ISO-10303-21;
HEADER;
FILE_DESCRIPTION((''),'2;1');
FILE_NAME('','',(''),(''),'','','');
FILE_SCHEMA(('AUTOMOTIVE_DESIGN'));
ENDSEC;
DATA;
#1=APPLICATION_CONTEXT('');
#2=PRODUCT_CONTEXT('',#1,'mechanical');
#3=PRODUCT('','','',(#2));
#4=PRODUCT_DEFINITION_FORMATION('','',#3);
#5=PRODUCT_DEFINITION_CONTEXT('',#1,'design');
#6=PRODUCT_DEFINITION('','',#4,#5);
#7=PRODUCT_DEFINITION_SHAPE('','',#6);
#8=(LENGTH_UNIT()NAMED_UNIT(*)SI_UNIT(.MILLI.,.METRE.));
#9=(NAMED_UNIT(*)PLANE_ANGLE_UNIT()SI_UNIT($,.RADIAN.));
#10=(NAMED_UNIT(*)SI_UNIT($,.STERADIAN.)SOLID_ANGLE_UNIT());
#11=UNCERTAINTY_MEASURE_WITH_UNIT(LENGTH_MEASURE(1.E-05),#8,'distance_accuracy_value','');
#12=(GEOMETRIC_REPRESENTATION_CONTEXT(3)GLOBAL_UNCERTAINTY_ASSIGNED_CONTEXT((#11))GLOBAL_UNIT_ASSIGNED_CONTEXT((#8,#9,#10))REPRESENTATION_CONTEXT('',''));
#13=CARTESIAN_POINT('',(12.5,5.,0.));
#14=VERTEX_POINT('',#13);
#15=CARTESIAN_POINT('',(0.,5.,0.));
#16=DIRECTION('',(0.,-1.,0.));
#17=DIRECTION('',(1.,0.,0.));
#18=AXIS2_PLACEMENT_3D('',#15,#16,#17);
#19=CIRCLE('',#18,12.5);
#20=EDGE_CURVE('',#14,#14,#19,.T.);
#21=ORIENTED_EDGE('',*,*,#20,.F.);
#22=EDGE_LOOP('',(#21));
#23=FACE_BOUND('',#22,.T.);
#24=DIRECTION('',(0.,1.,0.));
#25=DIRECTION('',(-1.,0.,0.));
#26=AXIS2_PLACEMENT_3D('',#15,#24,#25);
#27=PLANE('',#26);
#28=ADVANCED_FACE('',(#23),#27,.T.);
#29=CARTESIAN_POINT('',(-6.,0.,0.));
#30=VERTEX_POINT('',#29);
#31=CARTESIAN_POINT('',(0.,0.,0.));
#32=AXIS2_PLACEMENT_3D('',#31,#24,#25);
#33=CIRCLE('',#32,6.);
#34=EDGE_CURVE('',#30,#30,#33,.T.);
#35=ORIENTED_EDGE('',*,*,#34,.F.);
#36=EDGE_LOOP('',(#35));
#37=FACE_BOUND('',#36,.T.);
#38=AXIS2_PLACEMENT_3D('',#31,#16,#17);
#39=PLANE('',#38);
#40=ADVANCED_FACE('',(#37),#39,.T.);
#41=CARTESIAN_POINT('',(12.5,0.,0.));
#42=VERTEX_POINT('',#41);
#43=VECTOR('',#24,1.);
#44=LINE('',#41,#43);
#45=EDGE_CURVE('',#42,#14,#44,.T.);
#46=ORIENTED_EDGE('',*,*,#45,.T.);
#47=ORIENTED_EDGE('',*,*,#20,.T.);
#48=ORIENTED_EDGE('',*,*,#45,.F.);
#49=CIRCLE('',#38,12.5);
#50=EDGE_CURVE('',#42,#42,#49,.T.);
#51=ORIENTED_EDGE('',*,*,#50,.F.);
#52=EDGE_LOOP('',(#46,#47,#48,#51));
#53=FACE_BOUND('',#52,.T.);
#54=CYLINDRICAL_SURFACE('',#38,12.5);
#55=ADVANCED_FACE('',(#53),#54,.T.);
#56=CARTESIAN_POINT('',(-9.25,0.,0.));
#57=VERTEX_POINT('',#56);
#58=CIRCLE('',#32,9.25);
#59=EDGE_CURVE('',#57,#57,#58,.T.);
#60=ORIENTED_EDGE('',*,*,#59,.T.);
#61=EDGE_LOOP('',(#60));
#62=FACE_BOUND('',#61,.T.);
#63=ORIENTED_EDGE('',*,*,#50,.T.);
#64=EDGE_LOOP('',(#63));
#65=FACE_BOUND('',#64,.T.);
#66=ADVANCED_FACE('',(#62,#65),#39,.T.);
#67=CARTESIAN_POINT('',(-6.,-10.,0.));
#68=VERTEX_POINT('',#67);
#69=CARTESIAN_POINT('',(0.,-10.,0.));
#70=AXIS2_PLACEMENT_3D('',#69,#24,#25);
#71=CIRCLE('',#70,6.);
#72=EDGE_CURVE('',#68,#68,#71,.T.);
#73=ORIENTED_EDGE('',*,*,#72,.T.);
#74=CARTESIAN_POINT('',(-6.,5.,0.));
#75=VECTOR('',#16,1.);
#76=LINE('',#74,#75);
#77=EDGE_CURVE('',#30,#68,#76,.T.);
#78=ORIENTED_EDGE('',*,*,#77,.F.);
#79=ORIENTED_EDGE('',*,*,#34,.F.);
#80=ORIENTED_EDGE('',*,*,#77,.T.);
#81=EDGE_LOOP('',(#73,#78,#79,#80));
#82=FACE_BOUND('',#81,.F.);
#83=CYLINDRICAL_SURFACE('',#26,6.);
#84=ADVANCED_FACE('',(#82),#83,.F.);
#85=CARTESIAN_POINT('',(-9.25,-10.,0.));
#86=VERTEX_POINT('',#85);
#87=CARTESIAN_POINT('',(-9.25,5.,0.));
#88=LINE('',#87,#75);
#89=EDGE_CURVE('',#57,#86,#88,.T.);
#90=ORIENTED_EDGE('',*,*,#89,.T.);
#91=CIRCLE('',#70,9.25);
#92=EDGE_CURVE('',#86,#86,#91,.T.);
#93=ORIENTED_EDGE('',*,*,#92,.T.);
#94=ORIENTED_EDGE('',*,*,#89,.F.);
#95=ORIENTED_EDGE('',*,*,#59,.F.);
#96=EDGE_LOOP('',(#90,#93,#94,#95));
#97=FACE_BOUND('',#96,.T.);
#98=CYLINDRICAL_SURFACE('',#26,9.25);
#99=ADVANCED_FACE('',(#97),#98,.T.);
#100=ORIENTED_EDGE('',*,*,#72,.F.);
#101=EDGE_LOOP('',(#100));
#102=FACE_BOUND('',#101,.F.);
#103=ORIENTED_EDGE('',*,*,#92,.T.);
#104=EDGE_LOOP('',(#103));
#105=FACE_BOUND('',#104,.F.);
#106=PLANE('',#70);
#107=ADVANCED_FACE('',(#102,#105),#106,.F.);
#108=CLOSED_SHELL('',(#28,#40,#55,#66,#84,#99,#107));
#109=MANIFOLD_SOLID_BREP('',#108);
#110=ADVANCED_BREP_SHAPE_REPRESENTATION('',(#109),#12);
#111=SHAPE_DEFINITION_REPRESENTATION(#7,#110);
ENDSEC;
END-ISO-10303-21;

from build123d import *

# Parameters (mm, degrees)
F0_R     = 12.5
F1_DEPTH = 5
F2_R     = 9.25
F2_R_2   = 6
F3_DEPTH = 15


with BuildPart() as f1:
    # F0 (on Front) → F1 (new body)
    with BuildSketch(Plane.XZ):
        Circle(F0_R)
    extrude(amount=-F1_DEPTH)

    # F2 (on face) → F3 (join)
    with BuildSketch(Plane(origin=(0, 5, 0), x_dir=(-1, 0, 0), z_dir=(0, 1, 0))):
        Circle(F2_R)
        Circle(F2_R_2, mode=Mode.SUBTRACT)
    extrude(amount=-F3_DEPTH)


solid = f1.part
